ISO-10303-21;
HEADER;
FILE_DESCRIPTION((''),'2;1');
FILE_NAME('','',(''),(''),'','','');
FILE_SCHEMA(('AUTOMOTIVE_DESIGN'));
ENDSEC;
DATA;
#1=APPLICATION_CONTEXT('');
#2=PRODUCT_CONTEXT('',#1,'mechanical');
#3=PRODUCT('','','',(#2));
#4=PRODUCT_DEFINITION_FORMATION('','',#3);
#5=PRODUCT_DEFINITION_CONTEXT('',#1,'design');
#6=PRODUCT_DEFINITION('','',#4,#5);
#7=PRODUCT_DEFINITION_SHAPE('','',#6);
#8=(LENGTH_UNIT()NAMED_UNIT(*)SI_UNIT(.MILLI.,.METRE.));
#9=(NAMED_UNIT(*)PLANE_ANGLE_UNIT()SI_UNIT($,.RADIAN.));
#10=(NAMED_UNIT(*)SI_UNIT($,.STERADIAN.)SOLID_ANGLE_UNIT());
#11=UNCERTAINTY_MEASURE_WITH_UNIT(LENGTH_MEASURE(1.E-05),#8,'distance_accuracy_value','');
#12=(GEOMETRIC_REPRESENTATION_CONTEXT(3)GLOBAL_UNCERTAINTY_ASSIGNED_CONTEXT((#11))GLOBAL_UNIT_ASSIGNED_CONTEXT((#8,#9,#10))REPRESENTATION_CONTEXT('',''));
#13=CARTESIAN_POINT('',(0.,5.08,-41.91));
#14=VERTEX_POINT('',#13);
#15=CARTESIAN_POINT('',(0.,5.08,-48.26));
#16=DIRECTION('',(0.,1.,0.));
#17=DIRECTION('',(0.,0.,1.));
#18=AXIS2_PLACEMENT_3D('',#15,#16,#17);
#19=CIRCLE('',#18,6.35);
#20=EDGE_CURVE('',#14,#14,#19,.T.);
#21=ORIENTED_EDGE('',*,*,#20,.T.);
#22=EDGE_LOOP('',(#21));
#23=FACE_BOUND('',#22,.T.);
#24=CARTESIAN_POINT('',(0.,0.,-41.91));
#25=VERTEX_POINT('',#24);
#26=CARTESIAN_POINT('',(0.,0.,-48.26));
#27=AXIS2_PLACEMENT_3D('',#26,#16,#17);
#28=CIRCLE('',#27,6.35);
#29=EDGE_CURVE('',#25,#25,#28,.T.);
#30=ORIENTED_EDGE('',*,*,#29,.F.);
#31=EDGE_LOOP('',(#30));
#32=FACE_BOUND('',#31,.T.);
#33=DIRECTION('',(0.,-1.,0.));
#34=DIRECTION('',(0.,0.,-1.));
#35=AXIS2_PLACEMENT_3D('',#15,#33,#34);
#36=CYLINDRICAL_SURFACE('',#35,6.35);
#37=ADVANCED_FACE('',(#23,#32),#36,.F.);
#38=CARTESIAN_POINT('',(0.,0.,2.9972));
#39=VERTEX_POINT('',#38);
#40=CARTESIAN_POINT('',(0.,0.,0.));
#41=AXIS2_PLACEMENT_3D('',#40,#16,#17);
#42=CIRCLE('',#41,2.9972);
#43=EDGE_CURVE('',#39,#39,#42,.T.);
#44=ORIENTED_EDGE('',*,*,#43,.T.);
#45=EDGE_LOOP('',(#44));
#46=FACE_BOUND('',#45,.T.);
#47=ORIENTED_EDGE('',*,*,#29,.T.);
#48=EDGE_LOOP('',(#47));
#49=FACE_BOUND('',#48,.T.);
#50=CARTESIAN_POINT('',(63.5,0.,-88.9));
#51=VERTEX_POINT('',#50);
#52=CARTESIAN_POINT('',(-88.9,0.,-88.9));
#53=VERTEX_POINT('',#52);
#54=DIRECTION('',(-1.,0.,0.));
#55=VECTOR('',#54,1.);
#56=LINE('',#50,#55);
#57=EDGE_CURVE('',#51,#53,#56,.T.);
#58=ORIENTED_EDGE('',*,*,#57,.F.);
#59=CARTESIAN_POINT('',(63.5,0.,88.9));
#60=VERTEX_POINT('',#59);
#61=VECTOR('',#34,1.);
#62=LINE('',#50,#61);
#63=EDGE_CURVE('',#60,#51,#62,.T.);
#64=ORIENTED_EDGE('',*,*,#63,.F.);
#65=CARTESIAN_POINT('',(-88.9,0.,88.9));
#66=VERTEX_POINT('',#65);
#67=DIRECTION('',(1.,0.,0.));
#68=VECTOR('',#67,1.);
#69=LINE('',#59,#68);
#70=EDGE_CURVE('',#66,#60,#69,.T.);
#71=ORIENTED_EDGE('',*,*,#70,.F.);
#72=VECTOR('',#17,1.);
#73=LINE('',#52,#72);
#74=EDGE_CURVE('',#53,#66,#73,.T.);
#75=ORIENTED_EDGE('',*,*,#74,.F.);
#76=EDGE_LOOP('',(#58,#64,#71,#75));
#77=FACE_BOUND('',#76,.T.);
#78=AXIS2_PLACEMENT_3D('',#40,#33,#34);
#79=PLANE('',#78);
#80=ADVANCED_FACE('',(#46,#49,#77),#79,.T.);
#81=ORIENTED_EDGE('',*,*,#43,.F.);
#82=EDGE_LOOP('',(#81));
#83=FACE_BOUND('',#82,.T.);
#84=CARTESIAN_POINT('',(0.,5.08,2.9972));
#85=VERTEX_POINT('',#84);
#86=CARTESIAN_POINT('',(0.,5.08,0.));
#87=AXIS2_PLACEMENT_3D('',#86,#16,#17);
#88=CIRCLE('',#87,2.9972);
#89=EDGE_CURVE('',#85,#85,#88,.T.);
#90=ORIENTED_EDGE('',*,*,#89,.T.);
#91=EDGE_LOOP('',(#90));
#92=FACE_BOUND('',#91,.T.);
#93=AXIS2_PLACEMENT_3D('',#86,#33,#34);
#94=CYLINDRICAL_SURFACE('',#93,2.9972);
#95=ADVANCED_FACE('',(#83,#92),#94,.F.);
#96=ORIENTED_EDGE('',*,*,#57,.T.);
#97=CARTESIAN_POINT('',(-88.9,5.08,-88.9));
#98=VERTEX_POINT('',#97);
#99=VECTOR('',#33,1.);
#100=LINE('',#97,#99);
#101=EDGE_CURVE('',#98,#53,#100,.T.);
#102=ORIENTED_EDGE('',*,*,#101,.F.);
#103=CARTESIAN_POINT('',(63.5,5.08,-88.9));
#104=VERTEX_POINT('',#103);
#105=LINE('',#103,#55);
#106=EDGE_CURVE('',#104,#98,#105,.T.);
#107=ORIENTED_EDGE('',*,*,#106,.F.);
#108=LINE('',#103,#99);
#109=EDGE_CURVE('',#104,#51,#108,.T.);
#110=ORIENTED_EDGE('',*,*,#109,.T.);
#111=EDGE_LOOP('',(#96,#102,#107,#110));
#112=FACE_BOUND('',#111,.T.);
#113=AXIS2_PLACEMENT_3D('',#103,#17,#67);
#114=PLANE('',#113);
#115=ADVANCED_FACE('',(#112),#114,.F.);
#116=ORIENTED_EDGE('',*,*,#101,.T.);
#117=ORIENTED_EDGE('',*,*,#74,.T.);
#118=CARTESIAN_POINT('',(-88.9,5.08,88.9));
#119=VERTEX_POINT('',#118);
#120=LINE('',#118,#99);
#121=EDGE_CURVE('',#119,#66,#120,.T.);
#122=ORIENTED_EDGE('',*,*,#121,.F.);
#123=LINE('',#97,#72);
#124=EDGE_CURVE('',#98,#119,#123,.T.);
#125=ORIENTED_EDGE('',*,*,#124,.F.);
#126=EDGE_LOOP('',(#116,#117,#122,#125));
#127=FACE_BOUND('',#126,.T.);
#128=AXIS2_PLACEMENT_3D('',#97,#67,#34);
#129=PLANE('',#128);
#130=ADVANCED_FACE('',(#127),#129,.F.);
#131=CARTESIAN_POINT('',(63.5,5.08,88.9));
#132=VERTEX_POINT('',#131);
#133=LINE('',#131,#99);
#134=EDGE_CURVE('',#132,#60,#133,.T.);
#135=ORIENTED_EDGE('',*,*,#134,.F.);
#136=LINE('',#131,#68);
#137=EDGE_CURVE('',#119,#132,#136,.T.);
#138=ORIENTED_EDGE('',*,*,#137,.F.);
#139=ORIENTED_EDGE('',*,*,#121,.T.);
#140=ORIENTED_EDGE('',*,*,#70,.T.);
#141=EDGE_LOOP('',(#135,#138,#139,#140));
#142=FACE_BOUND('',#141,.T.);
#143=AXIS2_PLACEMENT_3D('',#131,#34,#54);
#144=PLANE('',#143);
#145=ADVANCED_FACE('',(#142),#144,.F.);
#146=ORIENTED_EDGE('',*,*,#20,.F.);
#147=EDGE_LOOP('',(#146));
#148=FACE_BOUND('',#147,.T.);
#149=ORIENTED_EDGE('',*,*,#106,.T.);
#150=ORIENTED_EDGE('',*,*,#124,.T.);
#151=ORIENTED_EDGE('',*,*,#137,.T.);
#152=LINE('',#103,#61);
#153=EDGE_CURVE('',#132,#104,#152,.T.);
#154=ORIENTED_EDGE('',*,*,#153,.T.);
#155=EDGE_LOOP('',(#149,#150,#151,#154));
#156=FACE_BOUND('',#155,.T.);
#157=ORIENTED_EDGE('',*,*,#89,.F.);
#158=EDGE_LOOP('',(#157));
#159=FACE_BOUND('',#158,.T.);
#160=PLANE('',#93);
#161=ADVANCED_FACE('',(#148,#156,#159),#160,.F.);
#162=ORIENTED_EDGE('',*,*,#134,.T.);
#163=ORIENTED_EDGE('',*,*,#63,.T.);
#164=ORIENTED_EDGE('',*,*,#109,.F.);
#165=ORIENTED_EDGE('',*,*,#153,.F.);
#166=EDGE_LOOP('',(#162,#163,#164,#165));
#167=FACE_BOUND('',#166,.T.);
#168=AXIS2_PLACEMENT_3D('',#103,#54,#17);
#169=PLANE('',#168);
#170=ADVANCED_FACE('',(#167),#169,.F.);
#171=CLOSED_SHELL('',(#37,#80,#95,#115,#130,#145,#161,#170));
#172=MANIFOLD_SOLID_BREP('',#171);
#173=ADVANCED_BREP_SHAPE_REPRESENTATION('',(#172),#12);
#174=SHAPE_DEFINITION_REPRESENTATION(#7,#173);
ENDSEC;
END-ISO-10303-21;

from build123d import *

# Parameters (mm, degrees)
SKETCH1_W           = 152.4
SKETCH1_H           = 177.8
SKETCH1_R           = 2.9972
SKETCH1_R_2         = 6.35
BOSS_EXTRUDE1_DEPTH = 5.08


with BuildPart() as part:
    # Sketch1 → Boss-Extrude1 (new body)
    with BuildSketch(Plane(origin=(0, 0, 0), x_dir=(1, 0, 0), z_dir=(0, 1, 0))):
        with Locations((-12.7, 0)):
            Rectangle(SKETCH1_W, SKETCH1_H)
        with Locations(Location((0, 0, 0), (0, 0, 270))):
            Circle(SKETCH1_R, mode=Mode.SUBTRACT)
        with Locations(Location((0, 48.26, 0), (0, 0, 270))):
            Circle(SKETCH1_R_2, mode=Mode.SUBTRACT)
    extrude(amount=BOSS_EXTRUDE1_DEPTH)


solid = part.part
